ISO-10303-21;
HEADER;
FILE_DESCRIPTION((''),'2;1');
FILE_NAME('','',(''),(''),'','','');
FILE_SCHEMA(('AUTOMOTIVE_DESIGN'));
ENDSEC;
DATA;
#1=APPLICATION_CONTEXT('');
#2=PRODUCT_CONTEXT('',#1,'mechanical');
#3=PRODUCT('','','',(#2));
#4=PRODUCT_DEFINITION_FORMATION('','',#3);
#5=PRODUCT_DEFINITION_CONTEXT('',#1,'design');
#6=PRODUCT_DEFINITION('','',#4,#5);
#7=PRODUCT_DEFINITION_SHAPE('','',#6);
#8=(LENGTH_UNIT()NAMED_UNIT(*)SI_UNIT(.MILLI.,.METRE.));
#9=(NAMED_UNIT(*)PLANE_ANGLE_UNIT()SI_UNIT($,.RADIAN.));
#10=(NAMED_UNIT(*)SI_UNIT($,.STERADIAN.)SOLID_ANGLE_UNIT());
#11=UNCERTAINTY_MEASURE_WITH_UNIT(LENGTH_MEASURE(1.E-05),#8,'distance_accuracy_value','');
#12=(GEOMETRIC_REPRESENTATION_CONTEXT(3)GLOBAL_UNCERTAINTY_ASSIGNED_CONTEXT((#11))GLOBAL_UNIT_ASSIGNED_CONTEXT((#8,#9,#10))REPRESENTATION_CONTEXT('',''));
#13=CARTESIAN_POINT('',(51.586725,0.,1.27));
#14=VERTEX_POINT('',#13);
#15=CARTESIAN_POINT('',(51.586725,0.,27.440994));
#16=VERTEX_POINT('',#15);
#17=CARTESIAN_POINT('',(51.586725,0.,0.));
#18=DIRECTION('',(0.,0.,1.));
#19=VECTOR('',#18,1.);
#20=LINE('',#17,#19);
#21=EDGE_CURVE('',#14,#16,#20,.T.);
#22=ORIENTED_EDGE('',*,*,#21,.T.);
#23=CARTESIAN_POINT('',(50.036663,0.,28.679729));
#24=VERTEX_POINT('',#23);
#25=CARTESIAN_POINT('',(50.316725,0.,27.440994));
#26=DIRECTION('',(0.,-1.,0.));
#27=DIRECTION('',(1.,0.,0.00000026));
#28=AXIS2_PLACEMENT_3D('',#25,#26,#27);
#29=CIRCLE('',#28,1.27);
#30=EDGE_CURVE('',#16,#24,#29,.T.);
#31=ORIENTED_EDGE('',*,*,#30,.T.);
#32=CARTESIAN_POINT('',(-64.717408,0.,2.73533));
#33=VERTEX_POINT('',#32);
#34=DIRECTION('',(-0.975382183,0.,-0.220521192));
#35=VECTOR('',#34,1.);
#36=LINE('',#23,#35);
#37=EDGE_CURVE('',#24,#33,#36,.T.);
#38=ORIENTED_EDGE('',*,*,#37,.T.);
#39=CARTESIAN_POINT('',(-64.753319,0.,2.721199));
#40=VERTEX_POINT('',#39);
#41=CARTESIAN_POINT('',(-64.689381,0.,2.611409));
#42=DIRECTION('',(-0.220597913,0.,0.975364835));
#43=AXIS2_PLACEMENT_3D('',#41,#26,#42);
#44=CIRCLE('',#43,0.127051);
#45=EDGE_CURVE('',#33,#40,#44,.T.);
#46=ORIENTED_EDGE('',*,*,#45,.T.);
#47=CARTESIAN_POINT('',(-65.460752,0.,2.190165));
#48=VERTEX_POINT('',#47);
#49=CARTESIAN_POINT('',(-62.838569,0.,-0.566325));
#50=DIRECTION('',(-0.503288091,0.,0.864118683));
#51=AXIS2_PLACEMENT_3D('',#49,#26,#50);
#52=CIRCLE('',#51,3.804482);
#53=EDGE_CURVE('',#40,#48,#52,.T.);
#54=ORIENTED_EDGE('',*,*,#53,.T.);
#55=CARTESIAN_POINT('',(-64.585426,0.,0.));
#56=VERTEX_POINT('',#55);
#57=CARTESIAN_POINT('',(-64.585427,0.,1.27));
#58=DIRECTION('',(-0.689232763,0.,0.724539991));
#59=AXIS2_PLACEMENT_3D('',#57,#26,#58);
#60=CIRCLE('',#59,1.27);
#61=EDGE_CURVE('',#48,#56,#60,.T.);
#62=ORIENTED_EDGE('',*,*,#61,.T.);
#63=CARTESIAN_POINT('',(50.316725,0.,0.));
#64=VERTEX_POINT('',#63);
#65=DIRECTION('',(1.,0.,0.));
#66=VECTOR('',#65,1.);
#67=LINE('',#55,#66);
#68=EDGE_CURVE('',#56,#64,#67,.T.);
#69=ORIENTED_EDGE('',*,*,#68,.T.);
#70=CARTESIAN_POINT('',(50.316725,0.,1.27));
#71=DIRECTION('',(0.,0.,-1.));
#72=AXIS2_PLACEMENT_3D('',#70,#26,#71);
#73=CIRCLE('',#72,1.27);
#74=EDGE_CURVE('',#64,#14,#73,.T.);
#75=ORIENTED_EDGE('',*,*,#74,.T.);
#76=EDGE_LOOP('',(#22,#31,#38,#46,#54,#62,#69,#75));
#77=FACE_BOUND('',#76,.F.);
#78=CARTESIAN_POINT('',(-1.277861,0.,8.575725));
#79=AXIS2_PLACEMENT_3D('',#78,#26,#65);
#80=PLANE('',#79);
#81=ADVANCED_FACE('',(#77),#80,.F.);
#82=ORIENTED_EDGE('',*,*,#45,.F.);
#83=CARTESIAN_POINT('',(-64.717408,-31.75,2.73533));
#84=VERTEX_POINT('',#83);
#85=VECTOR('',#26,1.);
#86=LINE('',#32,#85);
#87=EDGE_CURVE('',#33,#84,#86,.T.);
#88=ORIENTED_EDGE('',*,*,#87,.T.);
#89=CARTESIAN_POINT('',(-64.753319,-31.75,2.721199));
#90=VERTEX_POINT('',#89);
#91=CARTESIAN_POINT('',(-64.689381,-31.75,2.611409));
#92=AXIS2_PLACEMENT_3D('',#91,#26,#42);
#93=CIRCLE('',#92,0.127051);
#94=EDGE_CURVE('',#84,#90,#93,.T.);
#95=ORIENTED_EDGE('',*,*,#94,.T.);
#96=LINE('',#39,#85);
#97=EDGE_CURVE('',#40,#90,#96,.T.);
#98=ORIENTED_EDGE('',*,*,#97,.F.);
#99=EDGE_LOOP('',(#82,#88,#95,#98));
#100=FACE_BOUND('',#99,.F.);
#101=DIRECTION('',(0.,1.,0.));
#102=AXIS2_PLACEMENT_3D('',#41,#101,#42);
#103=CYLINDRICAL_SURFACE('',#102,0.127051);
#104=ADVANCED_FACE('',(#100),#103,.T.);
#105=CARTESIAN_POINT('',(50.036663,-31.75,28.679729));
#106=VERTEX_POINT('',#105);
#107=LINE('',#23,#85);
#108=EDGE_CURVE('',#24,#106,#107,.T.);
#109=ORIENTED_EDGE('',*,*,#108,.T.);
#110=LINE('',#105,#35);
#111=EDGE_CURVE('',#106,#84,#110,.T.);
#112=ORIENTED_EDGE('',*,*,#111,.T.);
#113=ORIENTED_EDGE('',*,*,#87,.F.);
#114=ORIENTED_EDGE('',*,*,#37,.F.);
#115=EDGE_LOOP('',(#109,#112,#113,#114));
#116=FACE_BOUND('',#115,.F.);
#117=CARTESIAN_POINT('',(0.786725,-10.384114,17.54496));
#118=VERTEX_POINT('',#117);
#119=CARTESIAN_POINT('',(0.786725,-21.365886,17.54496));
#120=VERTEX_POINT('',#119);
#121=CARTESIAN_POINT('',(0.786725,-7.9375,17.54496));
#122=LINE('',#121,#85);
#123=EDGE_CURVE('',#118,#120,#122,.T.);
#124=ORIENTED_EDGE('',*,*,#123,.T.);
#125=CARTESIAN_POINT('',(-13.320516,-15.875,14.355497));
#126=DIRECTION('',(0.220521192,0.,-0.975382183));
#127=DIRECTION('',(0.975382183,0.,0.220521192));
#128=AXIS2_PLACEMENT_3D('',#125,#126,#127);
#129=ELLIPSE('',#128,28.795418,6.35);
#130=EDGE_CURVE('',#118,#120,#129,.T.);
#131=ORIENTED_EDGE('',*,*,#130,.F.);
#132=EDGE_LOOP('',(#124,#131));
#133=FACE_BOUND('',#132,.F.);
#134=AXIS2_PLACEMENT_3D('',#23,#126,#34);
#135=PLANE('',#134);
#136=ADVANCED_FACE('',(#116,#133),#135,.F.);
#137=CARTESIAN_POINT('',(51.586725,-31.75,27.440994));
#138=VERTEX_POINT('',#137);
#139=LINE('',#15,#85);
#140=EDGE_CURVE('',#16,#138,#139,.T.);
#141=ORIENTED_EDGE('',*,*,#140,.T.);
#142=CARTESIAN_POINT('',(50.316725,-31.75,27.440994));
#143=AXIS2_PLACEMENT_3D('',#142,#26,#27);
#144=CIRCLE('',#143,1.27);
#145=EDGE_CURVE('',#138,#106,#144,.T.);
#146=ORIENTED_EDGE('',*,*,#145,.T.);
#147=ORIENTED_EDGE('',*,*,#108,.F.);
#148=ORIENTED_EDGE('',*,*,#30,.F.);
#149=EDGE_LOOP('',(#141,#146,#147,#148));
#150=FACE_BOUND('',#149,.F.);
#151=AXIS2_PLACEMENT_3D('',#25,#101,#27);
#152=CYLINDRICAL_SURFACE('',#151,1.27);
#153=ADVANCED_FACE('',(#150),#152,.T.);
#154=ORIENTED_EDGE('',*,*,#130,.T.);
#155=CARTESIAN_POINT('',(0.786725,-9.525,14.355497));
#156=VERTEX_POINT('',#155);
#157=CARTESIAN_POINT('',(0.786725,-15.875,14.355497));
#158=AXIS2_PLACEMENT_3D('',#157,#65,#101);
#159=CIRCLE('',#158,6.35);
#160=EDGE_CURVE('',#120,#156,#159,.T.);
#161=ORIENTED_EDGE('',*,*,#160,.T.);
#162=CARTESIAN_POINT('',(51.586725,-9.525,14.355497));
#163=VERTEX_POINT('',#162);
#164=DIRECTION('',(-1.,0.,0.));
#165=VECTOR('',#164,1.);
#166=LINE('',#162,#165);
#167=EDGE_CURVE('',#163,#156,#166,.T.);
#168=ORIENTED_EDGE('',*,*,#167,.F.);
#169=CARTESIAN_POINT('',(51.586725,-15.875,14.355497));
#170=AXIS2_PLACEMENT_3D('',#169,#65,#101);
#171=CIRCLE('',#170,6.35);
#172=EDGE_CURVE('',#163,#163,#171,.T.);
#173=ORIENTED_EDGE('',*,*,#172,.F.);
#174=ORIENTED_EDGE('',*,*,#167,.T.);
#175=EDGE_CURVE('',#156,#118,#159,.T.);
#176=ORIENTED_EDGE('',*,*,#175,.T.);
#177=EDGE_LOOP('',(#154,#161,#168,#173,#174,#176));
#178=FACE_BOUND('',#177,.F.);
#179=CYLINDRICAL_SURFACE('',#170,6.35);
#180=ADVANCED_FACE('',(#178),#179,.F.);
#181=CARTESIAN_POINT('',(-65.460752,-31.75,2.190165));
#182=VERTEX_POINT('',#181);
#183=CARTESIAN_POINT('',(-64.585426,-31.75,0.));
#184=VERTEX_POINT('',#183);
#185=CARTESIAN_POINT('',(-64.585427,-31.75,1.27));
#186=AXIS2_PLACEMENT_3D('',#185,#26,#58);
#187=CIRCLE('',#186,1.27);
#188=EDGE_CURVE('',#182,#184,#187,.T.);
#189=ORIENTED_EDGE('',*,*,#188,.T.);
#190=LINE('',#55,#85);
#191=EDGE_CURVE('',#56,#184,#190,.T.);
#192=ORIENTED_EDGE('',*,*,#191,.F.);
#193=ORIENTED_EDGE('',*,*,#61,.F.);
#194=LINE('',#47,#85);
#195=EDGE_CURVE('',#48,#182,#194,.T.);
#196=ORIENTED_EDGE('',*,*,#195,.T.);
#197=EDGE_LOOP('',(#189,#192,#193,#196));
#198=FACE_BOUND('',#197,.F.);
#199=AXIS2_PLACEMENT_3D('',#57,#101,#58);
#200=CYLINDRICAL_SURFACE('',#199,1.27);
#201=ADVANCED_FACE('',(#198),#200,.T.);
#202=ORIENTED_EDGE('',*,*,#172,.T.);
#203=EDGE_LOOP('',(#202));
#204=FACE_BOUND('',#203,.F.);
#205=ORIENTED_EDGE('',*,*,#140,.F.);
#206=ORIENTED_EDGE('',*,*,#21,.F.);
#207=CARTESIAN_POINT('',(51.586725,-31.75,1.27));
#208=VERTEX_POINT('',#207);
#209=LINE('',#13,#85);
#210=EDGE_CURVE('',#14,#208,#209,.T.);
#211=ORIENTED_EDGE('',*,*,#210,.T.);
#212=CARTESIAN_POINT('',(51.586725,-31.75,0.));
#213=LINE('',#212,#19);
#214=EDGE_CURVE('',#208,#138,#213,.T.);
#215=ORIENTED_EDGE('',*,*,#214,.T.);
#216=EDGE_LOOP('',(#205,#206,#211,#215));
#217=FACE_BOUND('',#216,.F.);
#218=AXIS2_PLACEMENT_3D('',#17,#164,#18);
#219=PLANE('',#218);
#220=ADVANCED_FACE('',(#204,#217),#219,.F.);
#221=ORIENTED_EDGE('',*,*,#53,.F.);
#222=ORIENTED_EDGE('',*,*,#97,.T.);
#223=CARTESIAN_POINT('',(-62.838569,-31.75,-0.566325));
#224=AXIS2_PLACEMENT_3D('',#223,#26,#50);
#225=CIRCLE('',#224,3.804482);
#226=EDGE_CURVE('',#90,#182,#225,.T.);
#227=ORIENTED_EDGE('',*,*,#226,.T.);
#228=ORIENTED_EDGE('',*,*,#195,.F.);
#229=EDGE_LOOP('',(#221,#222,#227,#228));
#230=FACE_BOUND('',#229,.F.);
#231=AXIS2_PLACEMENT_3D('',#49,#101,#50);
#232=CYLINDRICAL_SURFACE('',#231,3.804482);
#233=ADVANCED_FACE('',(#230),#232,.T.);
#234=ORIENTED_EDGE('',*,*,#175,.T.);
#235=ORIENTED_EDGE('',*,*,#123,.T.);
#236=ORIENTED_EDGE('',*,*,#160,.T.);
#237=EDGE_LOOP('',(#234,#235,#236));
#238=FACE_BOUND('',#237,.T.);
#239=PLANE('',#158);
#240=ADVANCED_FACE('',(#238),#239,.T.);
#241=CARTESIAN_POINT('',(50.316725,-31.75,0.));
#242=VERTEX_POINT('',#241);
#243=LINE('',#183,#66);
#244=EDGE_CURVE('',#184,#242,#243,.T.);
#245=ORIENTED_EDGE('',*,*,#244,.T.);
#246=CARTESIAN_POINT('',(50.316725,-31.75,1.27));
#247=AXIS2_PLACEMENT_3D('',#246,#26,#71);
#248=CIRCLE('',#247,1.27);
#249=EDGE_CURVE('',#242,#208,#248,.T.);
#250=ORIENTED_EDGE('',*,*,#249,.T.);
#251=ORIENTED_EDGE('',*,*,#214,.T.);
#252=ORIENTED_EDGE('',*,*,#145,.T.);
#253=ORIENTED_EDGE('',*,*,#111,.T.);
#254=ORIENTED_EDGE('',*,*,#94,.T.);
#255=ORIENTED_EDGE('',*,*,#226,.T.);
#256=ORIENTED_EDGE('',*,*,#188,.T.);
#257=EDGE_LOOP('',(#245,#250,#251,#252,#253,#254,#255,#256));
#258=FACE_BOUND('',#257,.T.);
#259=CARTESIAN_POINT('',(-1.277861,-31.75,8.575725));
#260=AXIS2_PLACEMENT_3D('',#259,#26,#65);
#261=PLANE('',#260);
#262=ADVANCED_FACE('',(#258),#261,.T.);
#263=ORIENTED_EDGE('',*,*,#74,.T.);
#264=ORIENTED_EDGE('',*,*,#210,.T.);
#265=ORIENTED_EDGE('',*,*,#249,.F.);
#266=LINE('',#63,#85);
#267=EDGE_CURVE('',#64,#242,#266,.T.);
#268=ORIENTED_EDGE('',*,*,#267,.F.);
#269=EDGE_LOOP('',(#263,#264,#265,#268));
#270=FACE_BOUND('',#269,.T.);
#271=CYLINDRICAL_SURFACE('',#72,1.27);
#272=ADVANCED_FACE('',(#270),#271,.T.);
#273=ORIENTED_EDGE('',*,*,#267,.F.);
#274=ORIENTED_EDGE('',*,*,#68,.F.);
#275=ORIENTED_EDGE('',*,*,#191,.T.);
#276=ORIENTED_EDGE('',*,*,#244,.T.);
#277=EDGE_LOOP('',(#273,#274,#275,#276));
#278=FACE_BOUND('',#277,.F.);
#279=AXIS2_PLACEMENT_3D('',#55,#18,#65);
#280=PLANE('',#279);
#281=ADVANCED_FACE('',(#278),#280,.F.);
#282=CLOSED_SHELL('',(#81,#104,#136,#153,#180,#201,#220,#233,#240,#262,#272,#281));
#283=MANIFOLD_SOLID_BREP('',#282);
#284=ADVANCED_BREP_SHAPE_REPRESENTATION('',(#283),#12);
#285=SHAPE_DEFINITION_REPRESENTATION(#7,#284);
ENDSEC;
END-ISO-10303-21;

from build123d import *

# Parameters (mm, degrees)
F1_DEPTH = 31.75
F2_R     = 1.27
F3_R     = 6.35
F4_DEPTH = 50.8


with BuildPart() as f1:
    # F0 (on Front) → F1 (new body)
    with BuildSketch(Plane.XZ):
        with BuildLine():
            ThreePointArc((-65.460752, 2.190165), (-65.764729, 0.798677), (-64.585426, 0))
            Line((-64.585426, 0), (51.586725, 0))
            Line((51.586725, 0), (51.586725, 27.440994))
            ThreePointArc((51.586725, 27.440994), (51.109575, 28.433107), (50.036663, 28.679729))
            Line((50.036663, 28.679729), (-64.717408, 2.73533))
            ThreePointArc((-64.717408, 2.73533), (-64.735903, 2.729636), (-64.753319, 2.721199))
            ThreePointArc((-64.753319, 2.721199), (-65.122522, 2.476312), (-65.460752, 2.190165))
        make_face()
    extrude(amount=F1_DEPTH)

    # F2
    f2_edges = [f1.edges().sort_by_distance(p)[0] for p in [
        (51.586725, -15.875, 0),
    ]]
    fillet(f2_edges, radius=F2_R)

    # F3 (on face) → F4 (cut)
    with BuildSketch(Plane.YZ.offset(51.586725)):
        with Locations((-15.875, 14.355497)):
            Circle(F3_R)
    extrude(amount=-F4_DEPTH, mode=Mode.SUBTRACT)


solid = f1.part
